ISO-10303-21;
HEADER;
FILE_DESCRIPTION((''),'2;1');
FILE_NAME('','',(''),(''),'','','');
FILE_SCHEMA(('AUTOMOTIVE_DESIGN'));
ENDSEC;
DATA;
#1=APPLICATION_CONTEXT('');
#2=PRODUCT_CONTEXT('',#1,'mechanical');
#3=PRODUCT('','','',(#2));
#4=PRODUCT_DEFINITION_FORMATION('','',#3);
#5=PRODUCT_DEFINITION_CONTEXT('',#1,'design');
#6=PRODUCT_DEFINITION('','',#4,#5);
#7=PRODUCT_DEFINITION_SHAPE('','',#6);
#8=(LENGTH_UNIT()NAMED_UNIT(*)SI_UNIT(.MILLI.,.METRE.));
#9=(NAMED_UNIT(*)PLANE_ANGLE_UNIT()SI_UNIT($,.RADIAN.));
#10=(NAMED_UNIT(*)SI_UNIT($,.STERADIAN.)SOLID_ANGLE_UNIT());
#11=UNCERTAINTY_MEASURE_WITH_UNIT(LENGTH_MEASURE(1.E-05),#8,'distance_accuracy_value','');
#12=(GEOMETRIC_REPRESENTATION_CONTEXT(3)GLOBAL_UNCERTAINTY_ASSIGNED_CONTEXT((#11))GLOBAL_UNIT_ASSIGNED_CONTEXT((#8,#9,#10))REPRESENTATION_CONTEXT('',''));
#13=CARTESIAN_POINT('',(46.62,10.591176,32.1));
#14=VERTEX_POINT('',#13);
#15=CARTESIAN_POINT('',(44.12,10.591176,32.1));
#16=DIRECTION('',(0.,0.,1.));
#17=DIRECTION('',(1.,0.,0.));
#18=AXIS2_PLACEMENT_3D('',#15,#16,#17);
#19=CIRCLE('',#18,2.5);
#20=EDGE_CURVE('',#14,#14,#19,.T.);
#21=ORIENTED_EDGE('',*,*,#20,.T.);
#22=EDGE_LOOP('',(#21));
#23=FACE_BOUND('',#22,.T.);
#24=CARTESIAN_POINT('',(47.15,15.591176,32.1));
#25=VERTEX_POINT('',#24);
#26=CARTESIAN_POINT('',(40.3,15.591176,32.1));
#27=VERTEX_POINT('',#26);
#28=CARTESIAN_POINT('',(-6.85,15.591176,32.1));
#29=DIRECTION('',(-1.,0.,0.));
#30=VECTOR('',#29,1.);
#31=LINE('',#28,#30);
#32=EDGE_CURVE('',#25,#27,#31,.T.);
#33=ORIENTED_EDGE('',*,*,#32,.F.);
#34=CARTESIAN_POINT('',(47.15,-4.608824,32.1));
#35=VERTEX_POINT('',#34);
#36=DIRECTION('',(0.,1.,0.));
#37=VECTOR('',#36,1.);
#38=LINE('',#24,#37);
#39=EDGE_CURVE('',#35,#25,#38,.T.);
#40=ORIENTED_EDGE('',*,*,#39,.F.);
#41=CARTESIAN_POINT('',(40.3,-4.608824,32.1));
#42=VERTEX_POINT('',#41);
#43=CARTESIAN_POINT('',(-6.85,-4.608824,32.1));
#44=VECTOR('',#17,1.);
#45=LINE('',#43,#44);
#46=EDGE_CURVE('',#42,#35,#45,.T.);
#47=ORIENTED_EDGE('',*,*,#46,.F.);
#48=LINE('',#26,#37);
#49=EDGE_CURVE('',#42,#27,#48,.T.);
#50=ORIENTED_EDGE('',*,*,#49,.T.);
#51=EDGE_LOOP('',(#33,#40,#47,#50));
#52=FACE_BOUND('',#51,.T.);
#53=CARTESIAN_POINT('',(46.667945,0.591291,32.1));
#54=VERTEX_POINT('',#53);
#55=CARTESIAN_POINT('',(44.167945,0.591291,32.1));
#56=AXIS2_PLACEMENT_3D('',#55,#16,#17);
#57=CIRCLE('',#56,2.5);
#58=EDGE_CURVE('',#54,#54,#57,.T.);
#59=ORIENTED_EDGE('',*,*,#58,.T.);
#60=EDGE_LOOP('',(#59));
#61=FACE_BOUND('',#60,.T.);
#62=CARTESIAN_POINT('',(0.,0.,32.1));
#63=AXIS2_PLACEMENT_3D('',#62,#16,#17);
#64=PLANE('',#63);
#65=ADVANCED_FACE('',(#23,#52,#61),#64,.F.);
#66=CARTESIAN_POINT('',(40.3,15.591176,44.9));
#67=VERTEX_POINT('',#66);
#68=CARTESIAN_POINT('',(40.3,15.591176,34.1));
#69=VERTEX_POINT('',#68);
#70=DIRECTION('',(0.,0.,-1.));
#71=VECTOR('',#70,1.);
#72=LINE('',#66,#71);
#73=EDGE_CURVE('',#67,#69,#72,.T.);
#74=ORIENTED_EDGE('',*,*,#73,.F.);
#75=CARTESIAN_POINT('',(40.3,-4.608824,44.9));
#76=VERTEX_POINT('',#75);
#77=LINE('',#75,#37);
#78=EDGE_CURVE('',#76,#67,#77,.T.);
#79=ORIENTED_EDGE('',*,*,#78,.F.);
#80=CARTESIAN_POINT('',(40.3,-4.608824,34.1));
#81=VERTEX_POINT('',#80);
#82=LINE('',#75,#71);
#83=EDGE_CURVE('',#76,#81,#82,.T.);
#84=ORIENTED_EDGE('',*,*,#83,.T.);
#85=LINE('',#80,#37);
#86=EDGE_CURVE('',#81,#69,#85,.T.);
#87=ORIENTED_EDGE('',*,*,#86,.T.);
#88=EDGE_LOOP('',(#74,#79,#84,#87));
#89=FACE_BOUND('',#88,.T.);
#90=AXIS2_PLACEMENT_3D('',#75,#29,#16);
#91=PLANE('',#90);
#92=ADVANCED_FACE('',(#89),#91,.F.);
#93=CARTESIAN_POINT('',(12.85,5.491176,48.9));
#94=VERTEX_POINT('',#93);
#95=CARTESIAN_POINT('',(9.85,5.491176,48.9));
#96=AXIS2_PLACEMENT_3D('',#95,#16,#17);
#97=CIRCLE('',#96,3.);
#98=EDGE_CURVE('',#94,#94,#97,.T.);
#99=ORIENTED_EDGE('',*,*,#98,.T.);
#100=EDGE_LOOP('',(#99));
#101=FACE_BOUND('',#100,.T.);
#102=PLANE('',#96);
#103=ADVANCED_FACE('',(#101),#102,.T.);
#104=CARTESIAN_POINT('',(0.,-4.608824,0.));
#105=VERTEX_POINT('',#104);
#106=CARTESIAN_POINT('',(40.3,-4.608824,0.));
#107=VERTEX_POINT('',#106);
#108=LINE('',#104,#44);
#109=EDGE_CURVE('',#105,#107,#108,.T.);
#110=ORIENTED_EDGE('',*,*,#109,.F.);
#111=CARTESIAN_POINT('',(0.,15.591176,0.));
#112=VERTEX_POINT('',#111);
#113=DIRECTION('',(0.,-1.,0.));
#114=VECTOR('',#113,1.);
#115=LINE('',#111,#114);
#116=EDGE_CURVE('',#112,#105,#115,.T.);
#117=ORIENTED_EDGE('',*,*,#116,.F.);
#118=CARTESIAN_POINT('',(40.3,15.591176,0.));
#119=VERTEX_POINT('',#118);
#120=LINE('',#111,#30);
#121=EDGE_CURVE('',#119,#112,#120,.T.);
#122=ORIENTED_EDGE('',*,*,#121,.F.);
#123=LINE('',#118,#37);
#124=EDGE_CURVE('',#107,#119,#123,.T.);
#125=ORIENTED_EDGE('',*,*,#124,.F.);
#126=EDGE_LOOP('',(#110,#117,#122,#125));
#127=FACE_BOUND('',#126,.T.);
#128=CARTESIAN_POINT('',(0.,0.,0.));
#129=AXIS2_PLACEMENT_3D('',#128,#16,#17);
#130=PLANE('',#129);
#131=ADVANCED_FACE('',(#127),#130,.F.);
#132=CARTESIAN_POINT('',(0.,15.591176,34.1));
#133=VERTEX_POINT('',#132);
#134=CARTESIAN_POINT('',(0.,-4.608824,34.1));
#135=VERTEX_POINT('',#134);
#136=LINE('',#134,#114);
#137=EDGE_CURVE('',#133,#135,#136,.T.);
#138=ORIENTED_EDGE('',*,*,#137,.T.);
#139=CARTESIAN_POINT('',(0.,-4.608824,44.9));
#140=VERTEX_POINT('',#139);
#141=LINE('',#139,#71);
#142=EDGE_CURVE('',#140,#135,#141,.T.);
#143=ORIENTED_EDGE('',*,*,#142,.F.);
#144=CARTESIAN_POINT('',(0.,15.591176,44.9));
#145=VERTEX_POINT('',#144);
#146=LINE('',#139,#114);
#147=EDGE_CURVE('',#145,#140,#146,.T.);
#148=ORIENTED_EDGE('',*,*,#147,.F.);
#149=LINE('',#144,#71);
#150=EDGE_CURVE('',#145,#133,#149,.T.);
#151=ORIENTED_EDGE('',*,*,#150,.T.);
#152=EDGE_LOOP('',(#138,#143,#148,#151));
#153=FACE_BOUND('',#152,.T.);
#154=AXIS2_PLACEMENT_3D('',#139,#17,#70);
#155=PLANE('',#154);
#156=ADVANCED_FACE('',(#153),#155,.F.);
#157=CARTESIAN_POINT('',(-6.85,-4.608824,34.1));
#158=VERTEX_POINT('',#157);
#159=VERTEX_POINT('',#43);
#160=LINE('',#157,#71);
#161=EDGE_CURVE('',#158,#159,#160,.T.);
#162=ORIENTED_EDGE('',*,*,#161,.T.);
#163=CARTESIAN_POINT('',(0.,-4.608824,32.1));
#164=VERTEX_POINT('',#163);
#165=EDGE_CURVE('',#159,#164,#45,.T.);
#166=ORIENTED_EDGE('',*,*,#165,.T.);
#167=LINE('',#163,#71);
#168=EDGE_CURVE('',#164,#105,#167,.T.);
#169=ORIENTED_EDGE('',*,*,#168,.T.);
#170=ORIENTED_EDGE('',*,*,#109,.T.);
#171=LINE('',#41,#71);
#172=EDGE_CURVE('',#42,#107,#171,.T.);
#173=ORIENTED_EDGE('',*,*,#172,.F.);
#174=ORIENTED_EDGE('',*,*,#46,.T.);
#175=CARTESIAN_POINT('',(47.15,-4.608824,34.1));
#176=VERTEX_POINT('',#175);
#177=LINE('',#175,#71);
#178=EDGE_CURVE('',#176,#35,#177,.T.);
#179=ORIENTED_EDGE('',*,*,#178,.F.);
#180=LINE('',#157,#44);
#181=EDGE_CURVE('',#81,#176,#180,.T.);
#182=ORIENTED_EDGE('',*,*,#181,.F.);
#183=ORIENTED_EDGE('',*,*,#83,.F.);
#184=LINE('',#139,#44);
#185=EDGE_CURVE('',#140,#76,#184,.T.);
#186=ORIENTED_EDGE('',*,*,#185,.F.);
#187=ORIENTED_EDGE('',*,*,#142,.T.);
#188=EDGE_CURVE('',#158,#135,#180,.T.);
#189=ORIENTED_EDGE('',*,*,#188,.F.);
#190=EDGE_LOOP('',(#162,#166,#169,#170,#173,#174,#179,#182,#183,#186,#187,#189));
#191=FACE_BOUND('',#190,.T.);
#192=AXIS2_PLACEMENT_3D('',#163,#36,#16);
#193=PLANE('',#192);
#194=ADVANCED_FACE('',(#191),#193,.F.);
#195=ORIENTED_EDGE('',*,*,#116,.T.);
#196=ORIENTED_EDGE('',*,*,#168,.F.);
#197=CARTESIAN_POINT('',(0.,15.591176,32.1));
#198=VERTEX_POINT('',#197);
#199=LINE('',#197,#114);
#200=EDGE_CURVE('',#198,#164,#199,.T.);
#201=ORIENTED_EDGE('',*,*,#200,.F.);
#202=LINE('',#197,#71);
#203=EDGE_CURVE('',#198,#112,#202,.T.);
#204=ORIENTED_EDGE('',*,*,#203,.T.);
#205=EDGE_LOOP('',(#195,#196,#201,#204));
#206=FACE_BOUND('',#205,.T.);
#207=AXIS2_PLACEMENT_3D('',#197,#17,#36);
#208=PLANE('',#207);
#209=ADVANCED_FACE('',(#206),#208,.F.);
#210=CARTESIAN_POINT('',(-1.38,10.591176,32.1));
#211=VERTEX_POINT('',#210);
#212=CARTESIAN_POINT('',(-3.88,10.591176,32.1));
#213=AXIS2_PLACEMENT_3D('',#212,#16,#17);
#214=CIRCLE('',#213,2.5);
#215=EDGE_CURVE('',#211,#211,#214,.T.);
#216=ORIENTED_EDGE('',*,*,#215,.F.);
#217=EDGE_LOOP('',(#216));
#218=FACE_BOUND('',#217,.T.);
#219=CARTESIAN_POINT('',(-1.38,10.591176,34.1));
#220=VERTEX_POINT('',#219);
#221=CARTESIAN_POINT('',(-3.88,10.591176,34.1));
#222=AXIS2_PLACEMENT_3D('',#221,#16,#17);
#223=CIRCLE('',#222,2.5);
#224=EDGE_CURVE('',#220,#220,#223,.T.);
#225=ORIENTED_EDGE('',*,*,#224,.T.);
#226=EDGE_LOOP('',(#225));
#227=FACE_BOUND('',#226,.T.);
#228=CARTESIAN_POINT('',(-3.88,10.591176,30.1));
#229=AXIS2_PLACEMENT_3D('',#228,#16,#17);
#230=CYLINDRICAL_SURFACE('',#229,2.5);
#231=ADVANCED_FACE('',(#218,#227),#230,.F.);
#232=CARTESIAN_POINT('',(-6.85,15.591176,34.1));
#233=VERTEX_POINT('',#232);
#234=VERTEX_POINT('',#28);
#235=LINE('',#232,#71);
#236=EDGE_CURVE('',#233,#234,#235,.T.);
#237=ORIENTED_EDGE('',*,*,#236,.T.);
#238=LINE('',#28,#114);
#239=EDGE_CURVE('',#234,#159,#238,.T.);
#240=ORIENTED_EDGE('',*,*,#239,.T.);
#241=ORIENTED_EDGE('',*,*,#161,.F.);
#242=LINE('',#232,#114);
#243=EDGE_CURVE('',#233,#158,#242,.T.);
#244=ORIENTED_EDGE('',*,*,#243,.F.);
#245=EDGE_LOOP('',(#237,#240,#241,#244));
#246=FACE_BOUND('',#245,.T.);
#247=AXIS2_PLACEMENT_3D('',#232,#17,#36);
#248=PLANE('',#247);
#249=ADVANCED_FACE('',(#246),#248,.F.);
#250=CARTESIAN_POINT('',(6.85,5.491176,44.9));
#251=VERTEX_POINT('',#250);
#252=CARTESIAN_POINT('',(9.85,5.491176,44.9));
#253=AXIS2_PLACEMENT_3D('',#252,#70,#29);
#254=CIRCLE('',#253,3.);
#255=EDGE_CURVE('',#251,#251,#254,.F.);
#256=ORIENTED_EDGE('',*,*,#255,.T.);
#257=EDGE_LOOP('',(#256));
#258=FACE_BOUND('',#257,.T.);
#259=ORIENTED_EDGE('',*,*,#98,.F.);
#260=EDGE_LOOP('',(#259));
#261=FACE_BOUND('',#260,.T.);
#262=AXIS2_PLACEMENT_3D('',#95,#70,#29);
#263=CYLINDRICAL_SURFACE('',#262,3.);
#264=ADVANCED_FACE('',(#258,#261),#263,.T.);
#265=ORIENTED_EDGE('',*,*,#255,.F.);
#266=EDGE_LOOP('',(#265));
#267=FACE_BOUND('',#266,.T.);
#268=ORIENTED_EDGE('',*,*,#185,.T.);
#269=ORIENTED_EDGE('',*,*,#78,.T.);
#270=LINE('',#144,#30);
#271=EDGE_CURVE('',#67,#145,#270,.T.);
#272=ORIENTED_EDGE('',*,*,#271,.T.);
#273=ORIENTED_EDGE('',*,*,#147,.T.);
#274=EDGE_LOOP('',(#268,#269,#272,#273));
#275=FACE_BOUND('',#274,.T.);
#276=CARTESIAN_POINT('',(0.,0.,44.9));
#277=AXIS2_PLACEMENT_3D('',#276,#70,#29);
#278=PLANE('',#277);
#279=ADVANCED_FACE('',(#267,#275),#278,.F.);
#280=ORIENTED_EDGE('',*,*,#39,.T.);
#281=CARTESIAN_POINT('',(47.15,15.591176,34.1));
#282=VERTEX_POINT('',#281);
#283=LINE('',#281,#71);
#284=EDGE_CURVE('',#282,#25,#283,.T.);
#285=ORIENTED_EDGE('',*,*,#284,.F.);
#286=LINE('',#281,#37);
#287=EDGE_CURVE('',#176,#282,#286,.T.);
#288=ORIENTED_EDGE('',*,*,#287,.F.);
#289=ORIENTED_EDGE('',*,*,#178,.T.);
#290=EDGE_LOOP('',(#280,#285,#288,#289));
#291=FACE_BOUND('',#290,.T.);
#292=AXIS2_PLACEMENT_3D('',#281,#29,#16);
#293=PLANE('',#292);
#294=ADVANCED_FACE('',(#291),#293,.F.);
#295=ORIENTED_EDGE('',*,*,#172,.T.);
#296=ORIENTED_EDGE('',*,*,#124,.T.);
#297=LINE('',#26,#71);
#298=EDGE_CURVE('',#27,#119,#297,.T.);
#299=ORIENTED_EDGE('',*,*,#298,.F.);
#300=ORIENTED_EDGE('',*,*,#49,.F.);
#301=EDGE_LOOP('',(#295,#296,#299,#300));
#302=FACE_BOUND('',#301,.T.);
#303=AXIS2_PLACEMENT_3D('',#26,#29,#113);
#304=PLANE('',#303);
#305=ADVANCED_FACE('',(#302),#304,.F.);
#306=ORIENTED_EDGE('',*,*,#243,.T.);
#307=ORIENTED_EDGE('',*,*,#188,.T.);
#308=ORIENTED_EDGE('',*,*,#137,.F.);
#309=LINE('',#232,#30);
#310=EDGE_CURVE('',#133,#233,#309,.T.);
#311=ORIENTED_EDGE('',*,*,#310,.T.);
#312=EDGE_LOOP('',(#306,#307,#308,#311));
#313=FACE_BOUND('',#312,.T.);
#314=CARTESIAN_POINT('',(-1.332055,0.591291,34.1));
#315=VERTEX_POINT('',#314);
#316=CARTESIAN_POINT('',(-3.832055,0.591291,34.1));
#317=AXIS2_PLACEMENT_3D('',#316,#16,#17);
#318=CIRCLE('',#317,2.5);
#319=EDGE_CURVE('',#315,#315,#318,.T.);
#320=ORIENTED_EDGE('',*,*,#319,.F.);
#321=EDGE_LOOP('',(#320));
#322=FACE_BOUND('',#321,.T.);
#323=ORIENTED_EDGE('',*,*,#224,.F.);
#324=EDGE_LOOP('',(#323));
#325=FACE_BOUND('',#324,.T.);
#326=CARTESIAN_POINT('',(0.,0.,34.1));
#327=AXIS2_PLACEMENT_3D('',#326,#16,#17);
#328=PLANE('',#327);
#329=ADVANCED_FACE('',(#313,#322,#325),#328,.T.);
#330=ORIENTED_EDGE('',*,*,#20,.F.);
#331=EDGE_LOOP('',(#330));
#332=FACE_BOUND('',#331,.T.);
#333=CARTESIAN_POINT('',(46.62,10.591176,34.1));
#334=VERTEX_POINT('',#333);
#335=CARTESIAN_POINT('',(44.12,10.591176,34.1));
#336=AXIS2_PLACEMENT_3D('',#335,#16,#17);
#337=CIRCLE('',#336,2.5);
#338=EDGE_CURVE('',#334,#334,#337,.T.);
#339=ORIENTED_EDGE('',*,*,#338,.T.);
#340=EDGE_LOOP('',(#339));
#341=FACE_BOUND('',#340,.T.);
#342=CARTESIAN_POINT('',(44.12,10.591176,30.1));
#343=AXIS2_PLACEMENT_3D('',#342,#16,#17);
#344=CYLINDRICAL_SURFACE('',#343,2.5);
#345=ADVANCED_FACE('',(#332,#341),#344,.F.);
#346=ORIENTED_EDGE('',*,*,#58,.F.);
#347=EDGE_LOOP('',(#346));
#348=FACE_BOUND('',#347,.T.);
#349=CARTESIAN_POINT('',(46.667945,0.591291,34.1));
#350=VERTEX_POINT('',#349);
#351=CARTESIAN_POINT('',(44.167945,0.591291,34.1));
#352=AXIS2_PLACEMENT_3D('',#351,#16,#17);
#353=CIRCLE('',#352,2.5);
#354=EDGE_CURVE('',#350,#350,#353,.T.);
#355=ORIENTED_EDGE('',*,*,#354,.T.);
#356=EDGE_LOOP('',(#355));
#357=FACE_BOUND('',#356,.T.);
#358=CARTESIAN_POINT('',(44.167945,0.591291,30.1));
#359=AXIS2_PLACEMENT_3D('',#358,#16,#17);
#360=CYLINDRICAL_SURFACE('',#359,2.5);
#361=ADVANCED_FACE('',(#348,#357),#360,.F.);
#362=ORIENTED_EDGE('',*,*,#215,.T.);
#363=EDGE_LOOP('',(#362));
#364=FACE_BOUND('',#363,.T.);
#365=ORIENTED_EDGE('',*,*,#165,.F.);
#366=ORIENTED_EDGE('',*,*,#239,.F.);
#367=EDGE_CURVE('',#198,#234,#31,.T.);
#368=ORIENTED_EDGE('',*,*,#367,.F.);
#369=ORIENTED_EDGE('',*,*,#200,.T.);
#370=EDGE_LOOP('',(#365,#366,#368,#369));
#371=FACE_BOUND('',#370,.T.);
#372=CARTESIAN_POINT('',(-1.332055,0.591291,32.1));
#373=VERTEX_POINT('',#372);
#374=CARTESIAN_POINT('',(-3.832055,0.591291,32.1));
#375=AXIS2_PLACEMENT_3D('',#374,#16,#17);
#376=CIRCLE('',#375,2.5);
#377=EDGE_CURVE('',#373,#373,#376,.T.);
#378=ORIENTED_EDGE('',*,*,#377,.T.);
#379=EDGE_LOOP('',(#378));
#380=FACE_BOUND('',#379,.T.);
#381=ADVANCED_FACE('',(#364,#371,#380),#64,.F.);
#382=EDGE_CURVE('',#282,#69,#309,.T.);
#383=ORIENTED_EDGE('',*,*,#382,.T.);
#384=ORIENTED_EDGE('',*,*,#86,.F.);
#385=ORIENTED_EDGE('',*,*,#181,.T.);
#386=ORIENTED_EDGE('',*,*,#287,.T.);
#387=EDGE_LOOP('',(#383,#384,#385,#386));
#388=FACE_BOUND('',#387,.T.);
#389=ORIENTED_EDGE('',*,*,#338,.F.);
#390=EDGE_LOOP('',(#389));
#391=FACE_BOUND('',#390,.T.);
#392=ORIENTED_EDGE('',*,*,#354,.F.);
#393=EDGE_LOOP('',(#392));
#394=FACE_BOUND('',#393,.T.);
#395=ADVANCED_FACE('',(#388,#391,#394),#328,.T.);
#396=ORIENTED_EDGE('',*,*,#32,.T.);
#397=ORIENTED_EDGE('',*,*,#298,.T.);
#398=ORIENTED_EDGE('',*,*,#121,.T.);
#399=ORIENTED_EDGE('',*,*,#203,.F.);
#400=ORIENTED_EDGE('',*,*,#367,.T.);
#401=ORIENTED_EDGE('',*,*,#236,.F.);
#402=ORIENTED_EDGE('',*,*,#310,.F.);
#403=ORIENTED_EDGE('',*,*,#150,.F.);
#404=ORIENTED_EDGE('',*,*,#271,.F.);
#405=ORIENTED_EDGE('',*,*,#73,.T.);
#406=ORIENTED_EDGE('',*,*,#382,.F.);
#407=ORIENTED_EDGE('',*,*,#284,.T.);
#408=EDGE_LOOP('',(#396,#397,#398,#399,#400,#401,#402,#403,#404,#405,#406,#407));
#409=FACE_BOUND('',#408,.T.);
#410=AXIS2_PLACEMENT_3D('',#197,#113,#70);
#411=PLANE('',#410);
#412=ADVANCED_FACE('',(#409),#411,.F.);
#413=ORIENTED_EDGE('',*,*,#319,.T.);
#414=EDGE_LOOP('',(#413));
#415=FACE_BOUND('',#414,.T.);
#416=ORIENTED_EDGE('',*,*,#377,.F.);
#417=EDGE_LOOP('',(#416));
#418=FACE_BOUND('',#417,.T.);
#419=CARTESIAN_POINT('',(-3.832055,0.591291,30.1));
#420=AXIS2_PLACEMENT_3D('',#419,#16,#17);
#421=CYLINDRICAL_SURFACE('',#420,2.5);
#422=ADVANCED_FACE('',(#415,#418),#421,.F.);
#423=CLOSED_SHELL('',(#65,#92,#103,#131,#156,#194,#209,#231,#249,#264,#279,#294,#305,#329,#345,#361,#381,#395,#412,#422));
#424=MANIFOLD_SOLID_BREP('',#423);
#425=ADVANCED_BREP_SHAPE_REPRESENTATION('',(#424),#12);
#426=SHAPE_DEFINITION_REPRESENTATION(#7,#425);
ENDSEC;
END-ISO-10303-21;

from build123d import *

# Parameters (mm, degrees)
ESQUISSE1_W             = 40.3
ESQUISSE1_H             = 20.2
BOSS_EXTRU_1_DEPTH      = 32.1
ESQUISSE2_W             = 54
ESQUISSE2_H             = 20.2
BOSS_EXTRU_2_DEPTH      = 2
ESQUISSE3_W             = 40.3
ESQUISSE3_H             = 20.2
BOSS_EXTRU_3_DEPTH      = 10.8
ESQUISSE4_R             = 3
BOSS_EXTRU_4_DEPTH      = 4
ESQUISSE5_R             = 2.5
ENL_V_MAT_EXTRU_1_DEPTH = 4


with BuildPart() as part:
    # Esquisse1 → Boss.-Extru.1 (new body)
    with BuildSketch(Plane.XY):
        with Locations((20.15, 5.491176471)):
            Rectangle(ESQUISSE1_W, ESQUISSE1_H)
    extrude(amount=BOSS_EXTRU_1_DEPTH)

    # Esquisse2 → Boss.-Extru.2 (add)
    with BuildSketch(Plane.XY.offset(32.1)):
        with Locations((20.15, 5.491176471)):
            Rectangle(ESQUISSE2_W, ESQUISSE2_H)
    extrude(amount=BOSS_EXTRU_2_DEPTH)

    # Esquisse3 → Boss.-Extru.3 (add)
    with BuildSketch(Plane.XY.offset(34.1)):
        with Locations((20.15, 5.491176471)):
            Rectangle(ESQUISSE3_W, ESQUISSE3_H)
    extrude(amount=BOSS_EXTRU_3_DEPTH)

    # Esquisse4 → Boss.-Extru.4 (add)
    with BuildSketch(Plane.XY.offset(44.9)):
        with Locations(Location((9.85, 5.491176471, 0), (0, 0, 180))):
            Circle(ESQUISSE4_R)
    extrude(amount=BOSS_EXTRU_4_DEPTH)

    # Esquisse5 → Enlèv. mat.-Extru.1 (cut)
    with BuildSketch(Plane.XY.offset(34.1)):
        with Locations((-3.88, 10.591176471)):
            Circle(ESQUISSE5_R)
        with Locations((-3.832055369, 0.591291406)):
            Circle(ESQUISSE5_R)
        with Locations((44.12, 10.591176471)):
            Circle(ESQUISSE5_R)
        with Locations((44.167944631, 0.591291406)):
            Circle(ESQUISSE5_R)
    extrude(amount=-ENL_V_MAT_EXTRU_1_DEPTH, mode=Mode.SUBTRACT)


solid = part.part
